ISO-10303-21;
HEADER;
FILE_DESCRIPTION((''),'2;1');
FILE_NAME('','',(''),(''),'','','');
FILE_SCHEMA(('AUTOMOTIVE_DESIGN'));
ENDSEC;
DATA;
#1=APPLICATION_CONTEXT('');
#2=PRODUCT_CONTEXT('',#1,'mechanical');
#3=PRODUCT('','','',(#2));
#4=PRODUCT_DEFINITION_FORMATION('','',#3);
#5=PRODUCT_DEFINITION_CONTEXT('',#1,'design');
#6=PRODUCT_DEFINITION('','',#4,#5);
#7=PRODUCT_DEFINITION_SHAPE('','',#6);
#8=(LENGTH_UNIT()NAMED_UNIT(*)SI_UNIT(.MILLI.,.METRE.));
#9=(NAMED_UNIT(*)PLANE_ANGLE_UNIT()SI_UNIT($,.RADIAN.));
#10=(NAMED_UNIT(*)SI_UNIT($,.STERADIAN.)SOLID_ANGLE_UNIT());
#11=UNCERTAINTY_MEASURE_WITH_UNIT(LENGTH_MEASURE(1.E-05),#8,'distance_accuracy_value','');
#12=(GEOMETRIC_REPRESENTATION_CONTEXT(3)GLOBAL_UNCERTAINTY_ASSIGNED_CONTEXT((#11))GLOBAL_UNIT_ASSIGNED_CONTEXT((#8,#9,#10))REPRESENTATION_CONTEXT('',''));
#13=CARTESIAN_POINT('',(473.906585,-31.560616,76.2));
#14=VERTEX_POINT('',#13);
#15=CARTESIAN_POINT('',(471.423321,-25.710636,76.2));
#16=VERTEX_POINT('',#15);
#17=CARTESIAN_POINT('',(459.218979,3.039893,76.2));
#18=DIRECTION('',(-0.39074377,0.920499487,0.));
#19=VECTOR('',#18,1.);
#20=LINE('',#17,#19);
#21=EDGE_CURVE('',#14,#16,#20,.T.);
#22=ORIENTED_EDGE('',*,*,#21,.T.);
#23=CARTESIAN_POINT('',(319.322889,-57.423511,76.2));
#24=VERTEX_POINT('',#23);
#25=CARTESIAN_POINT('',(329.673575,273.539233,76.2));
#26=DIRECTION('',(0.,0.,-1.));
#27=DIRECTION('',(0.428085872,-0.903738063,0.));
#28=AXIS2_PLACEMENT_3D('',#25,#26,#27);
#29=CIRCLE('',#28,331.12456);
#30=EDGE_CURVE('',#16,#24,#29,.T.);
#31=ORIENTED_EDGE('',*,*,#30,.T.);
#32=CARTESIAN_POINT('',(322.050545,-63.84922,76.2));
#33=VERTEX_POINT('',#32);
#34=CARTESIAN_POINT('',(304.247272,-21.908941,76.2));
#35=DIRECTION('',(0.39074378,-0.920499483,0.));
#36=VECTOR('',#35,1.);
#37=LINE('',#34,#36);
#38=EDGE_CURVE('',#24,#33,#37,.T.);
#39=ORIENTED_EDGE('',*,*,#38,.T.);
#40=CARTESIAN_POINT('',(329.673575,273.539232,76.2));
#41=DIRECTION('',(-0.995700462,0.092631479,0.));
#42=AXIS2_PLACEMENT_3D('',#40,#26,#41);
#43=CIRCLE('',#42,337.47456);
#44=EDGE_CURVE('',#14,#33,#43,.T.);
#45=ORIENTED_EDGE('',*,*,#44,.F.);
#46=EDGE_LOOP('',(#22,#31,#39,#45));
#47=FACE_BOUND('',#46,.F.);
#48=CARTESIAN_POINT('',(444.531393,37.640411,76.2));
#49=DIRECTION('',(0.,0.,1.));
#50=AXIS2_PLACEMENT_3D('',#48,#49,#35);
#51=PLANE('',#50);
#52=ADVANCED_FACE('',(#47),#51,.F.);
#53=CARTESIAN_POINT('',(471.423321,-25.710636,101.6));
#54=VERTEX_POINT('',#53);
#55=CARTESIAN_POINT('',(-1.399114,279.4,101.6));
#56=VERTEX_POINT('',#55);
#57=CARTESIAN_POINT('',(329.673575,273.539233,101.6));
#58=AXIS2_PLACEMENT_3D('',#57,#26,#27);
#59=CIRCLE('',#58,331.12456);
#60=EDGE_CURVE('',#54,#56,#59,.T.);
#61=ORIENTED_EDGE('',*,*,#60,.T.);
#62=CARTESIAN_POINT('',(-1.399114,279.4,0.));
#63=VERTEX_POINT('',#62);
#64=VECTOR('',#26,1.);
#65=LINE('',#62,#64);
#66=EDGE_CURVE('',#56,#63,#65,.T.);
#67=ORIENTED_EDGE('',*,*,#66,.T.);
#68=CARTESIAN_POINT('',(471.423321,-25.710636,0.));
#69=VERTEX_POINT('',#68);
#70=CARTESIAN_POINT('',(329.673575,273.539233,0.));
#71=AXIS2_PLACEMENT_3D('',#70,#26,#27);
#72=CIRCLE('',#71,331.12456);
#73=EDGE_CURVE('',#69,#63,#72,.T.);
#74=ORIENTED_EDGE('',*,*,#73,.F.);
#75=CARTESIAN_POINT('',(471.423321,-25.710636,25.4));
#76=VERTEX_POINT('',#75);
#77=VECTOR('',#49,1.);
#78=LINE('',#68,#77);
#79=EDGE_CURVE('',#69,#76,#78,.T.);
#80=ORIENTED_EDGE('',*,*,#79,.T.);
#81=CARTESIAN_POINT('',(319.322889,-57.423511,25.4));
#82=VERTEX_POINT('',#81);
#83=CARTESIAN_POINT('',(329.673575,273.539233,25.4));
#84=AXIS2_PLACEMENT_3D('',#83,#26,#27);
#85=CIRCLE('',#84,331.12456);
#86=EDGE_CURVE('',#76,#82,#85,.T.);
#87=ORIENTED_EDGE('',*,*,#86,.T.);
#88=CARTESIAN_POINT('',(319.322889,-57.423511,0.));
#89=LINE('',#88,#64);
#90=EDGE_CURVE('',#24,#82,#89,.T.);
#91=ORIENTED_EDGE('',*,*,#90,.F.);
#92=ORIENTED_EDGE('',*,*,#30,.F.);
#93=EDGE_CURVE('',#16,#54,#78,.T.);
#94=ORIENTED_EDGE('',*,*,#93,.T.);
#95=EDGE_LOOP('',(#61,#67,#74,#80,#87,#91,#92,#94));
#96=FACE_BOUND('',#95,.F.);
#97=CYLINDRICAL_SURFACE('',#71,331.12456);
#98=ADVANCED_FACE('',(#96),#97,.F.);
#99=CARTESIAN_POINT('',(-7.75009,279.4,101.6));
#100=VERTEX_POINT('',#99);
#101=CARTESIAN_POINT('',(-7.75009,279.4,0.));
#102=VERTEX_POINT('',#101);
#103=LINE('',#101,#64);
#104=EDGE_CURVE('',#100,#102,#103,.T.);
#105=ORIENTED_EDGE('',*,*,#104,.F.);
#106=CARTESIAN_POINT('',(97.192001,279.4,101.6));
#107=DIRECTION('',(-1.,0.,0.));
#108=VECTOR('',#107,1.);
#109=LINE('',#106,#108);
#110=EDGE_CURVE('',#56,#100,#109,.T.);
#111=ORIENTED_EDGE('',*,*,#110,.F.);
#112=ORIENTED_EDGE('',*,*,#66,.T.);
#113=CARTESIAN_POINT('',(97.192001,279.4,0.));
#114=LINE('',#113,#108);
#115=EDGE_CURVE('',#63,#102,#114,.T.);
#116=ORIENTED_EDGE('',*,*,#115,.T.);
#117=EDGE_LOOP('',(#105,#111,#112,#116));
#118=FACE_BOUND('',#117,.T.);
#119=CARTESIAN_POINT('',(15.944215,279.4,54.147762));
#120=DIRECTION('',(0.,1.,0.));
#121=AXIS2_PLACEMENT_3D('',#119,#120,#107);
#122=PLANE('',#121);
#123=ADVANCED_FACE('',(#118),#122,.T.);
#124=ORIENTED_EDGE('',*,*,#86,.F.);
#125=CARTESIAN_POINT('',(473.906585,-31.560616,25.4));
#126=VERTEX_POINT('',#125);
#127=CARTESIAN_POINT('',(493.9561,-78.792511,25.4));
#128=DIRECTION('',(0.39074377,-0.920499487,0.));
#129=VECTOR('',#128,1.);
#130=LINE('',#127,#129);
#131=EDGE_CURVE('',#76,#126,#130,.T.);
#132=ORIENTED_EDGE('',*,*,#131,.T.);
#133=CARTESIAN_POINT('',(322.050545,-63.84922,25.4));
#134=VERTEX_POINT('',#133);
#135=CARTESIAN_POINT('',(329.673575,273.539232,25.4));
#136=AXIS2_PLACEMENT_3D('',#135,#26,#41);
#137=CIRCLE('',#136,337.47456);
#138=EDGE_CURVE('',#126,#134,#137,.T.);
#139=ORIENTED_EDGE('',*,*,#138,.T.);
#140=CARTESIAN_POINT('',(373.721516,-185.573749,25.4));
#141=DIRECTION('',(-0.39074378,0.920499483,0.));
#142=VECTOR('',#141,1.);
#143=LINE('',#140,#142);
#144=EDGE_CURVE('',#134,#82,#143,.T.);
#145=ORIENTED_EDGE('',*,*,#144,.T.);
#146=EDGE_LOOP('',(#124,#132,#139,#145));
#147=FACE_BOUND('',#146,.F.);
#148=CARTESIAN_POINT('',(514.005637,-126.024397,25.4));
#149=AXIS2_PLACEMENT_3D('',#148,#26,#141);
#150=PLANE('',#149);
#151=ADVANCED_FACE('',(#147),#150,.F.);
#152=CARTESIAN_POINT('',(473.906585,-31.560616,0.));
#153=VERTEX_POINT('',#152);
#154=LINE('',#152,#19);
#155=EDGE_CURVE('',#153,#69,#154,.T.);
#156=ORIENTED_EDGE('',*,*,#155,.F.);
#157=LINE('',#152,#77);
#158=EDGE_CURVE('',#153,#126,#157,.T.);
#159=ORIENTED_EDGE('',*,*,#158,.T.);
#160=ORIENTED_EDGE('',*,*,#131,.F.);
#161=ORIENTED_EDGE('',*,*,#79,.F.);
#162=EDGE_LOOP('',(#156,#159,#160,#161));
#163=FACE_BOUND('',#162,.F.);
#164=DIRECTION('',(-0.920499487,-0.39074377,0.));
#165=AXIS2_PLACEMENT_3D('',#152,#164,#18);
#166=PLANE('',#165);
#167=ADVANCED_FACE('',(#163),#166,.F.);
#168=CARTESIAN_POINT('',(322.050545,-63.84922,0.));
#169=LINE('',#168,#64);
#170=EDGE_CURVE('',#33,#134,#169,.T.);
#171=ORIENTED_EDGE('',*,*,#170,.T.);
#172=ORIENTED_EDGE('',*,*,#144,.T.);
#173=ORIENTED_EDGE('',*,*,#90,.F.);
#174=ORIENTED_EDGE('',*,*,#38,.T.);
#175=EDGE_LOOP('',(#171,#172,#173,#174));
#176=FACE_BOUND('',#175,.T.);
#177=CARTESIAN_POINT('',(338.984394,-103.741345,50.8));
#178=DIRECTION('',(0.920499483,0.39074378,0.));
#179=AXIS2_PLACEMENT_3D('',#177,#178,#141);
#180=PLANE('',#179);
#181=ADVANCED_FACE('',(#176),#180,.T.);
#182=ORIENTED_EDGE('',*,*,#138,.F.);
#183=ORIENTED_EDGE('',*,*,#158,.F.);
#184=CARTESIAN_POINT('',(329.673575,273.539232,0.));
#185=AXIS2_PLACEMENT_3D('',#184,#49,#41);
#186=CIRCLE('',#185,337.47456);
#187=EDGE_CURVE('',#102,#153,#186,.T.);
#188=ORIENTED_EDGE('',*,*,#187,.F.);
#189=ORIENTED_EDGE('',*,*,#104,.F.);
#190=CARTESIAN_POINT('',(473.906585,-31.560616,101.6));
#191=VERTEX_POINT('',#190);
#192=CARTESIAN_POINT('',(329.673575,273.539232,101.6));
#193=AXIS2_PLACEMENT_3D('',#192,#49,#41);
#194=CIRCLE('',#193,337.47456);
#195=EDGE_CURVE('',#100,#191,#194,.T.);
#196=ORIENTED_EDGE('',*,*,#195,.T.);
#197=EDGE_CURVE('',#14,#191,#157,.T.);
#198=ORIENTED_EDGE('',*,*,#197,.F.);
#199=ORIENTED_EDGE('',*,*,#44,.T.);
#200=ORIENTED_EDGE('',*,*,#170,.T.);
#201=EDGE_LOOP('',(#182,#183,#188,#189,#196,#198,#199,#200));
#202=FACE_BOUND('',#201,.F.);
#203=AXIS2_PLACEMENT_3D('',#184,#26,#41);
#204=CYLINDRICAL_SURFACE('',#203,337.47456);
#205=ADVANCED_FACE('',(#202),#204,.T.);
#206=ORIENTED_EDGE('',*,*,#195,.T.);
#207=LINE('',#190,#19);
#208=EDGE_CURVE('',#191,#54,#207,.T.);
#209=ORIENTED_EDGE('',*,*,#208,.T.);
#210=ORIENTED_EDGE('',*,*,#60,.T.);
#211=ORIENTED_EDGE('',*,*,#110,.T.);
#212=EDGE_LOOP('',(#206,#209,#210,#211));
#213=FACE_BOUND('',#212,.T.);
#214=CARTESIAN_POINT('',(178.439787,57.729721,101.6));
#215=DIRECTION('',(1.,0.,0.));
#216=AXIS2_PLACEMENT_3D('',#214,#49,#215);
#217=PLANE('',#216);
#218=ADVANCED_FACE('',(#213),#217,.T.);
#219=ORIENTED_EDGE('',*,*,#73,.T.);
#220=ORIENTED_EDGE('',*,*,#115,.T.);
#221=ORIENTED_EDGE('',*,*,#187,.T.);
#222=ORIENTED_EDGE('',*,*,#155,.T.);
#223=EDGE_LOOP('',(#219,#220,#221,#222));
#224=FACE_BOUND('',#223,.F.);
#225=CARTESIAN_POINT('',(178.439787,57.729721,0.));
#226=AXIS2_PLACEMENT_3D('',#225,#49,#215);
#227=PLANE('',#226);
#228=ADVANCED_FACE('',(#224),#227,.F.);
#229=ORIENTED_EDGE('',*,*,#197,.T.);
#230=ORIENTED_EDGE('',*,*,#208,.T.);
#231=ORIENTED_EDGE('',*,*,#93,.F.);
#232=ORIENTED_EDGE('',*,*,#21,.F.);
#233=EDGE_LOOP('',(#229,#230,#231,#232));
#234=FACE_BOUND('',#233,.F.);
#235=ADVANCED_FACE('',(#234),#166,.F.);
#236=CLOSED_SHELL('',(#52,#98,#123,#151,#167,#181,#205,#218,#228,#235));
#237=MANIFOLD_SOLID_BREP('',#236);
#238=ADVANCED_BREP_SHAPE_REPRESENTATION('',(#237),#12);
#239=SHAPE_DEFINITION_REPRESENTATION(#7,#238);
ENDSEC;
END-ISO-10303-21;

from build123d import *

# Parameters (mm, degrees)
F1_DEPTH = 101.6
F3_DEPTH = 152.4
F4_W     = 143.211212
F4_H     = 118.549919
F5_DEPTH = 25.4


with BuildPart() as f1:
    # F0 (on Top) → F1 (new body)
    with BuildSketch(Plane.XY):
        with BuildLine():
            ThreePointArc((471.423321, -25.710636), (139.580084, 2.415757), (0.027949, 304.8))
            Line((0.027949, 304.8), (-6.35, 304.8))
            ThreePointArc((-6.35, 304.8), (136.074708, -2.881746), (473.906585, -31.560616))
            Line((473.906585, -31.560616), (471.423321, -25.710636))
        make_face()
    extrude(amount=F1_DEPTH)

    # F2 (on face) → F3 (cut)
    with BuildSketch(Plane(origin=(390.198528, 165.635729, 0), x_dir=(-0.390744, 0.9205, 0), z_dir=(0.9205, 0.390744, 0))):
        Polygon((-139.049853, 76.2), (-316.849853, 76.2), (-316.849853, 25.4), (-214.227537, 25.4), (-139.049853, 25.4), align=None)
    extrude(amount=-F3_DEPTH, mode=Mode.SUBTRACT)

    # F4 (on face) → F5 (cut)
    with BuildSketch(Plane(origin=(0, 304.8, 0), x_dir=(-1, 0, 0), z_dir=(0, 1, 0))):
        with Locations((-15.944215, 54.147762)):
            Rectangle(F4_W, F4_H)
    extrude(amount=-F5_DEPTH, mode=Mode.SUBTRACT)


solid = f1.part
